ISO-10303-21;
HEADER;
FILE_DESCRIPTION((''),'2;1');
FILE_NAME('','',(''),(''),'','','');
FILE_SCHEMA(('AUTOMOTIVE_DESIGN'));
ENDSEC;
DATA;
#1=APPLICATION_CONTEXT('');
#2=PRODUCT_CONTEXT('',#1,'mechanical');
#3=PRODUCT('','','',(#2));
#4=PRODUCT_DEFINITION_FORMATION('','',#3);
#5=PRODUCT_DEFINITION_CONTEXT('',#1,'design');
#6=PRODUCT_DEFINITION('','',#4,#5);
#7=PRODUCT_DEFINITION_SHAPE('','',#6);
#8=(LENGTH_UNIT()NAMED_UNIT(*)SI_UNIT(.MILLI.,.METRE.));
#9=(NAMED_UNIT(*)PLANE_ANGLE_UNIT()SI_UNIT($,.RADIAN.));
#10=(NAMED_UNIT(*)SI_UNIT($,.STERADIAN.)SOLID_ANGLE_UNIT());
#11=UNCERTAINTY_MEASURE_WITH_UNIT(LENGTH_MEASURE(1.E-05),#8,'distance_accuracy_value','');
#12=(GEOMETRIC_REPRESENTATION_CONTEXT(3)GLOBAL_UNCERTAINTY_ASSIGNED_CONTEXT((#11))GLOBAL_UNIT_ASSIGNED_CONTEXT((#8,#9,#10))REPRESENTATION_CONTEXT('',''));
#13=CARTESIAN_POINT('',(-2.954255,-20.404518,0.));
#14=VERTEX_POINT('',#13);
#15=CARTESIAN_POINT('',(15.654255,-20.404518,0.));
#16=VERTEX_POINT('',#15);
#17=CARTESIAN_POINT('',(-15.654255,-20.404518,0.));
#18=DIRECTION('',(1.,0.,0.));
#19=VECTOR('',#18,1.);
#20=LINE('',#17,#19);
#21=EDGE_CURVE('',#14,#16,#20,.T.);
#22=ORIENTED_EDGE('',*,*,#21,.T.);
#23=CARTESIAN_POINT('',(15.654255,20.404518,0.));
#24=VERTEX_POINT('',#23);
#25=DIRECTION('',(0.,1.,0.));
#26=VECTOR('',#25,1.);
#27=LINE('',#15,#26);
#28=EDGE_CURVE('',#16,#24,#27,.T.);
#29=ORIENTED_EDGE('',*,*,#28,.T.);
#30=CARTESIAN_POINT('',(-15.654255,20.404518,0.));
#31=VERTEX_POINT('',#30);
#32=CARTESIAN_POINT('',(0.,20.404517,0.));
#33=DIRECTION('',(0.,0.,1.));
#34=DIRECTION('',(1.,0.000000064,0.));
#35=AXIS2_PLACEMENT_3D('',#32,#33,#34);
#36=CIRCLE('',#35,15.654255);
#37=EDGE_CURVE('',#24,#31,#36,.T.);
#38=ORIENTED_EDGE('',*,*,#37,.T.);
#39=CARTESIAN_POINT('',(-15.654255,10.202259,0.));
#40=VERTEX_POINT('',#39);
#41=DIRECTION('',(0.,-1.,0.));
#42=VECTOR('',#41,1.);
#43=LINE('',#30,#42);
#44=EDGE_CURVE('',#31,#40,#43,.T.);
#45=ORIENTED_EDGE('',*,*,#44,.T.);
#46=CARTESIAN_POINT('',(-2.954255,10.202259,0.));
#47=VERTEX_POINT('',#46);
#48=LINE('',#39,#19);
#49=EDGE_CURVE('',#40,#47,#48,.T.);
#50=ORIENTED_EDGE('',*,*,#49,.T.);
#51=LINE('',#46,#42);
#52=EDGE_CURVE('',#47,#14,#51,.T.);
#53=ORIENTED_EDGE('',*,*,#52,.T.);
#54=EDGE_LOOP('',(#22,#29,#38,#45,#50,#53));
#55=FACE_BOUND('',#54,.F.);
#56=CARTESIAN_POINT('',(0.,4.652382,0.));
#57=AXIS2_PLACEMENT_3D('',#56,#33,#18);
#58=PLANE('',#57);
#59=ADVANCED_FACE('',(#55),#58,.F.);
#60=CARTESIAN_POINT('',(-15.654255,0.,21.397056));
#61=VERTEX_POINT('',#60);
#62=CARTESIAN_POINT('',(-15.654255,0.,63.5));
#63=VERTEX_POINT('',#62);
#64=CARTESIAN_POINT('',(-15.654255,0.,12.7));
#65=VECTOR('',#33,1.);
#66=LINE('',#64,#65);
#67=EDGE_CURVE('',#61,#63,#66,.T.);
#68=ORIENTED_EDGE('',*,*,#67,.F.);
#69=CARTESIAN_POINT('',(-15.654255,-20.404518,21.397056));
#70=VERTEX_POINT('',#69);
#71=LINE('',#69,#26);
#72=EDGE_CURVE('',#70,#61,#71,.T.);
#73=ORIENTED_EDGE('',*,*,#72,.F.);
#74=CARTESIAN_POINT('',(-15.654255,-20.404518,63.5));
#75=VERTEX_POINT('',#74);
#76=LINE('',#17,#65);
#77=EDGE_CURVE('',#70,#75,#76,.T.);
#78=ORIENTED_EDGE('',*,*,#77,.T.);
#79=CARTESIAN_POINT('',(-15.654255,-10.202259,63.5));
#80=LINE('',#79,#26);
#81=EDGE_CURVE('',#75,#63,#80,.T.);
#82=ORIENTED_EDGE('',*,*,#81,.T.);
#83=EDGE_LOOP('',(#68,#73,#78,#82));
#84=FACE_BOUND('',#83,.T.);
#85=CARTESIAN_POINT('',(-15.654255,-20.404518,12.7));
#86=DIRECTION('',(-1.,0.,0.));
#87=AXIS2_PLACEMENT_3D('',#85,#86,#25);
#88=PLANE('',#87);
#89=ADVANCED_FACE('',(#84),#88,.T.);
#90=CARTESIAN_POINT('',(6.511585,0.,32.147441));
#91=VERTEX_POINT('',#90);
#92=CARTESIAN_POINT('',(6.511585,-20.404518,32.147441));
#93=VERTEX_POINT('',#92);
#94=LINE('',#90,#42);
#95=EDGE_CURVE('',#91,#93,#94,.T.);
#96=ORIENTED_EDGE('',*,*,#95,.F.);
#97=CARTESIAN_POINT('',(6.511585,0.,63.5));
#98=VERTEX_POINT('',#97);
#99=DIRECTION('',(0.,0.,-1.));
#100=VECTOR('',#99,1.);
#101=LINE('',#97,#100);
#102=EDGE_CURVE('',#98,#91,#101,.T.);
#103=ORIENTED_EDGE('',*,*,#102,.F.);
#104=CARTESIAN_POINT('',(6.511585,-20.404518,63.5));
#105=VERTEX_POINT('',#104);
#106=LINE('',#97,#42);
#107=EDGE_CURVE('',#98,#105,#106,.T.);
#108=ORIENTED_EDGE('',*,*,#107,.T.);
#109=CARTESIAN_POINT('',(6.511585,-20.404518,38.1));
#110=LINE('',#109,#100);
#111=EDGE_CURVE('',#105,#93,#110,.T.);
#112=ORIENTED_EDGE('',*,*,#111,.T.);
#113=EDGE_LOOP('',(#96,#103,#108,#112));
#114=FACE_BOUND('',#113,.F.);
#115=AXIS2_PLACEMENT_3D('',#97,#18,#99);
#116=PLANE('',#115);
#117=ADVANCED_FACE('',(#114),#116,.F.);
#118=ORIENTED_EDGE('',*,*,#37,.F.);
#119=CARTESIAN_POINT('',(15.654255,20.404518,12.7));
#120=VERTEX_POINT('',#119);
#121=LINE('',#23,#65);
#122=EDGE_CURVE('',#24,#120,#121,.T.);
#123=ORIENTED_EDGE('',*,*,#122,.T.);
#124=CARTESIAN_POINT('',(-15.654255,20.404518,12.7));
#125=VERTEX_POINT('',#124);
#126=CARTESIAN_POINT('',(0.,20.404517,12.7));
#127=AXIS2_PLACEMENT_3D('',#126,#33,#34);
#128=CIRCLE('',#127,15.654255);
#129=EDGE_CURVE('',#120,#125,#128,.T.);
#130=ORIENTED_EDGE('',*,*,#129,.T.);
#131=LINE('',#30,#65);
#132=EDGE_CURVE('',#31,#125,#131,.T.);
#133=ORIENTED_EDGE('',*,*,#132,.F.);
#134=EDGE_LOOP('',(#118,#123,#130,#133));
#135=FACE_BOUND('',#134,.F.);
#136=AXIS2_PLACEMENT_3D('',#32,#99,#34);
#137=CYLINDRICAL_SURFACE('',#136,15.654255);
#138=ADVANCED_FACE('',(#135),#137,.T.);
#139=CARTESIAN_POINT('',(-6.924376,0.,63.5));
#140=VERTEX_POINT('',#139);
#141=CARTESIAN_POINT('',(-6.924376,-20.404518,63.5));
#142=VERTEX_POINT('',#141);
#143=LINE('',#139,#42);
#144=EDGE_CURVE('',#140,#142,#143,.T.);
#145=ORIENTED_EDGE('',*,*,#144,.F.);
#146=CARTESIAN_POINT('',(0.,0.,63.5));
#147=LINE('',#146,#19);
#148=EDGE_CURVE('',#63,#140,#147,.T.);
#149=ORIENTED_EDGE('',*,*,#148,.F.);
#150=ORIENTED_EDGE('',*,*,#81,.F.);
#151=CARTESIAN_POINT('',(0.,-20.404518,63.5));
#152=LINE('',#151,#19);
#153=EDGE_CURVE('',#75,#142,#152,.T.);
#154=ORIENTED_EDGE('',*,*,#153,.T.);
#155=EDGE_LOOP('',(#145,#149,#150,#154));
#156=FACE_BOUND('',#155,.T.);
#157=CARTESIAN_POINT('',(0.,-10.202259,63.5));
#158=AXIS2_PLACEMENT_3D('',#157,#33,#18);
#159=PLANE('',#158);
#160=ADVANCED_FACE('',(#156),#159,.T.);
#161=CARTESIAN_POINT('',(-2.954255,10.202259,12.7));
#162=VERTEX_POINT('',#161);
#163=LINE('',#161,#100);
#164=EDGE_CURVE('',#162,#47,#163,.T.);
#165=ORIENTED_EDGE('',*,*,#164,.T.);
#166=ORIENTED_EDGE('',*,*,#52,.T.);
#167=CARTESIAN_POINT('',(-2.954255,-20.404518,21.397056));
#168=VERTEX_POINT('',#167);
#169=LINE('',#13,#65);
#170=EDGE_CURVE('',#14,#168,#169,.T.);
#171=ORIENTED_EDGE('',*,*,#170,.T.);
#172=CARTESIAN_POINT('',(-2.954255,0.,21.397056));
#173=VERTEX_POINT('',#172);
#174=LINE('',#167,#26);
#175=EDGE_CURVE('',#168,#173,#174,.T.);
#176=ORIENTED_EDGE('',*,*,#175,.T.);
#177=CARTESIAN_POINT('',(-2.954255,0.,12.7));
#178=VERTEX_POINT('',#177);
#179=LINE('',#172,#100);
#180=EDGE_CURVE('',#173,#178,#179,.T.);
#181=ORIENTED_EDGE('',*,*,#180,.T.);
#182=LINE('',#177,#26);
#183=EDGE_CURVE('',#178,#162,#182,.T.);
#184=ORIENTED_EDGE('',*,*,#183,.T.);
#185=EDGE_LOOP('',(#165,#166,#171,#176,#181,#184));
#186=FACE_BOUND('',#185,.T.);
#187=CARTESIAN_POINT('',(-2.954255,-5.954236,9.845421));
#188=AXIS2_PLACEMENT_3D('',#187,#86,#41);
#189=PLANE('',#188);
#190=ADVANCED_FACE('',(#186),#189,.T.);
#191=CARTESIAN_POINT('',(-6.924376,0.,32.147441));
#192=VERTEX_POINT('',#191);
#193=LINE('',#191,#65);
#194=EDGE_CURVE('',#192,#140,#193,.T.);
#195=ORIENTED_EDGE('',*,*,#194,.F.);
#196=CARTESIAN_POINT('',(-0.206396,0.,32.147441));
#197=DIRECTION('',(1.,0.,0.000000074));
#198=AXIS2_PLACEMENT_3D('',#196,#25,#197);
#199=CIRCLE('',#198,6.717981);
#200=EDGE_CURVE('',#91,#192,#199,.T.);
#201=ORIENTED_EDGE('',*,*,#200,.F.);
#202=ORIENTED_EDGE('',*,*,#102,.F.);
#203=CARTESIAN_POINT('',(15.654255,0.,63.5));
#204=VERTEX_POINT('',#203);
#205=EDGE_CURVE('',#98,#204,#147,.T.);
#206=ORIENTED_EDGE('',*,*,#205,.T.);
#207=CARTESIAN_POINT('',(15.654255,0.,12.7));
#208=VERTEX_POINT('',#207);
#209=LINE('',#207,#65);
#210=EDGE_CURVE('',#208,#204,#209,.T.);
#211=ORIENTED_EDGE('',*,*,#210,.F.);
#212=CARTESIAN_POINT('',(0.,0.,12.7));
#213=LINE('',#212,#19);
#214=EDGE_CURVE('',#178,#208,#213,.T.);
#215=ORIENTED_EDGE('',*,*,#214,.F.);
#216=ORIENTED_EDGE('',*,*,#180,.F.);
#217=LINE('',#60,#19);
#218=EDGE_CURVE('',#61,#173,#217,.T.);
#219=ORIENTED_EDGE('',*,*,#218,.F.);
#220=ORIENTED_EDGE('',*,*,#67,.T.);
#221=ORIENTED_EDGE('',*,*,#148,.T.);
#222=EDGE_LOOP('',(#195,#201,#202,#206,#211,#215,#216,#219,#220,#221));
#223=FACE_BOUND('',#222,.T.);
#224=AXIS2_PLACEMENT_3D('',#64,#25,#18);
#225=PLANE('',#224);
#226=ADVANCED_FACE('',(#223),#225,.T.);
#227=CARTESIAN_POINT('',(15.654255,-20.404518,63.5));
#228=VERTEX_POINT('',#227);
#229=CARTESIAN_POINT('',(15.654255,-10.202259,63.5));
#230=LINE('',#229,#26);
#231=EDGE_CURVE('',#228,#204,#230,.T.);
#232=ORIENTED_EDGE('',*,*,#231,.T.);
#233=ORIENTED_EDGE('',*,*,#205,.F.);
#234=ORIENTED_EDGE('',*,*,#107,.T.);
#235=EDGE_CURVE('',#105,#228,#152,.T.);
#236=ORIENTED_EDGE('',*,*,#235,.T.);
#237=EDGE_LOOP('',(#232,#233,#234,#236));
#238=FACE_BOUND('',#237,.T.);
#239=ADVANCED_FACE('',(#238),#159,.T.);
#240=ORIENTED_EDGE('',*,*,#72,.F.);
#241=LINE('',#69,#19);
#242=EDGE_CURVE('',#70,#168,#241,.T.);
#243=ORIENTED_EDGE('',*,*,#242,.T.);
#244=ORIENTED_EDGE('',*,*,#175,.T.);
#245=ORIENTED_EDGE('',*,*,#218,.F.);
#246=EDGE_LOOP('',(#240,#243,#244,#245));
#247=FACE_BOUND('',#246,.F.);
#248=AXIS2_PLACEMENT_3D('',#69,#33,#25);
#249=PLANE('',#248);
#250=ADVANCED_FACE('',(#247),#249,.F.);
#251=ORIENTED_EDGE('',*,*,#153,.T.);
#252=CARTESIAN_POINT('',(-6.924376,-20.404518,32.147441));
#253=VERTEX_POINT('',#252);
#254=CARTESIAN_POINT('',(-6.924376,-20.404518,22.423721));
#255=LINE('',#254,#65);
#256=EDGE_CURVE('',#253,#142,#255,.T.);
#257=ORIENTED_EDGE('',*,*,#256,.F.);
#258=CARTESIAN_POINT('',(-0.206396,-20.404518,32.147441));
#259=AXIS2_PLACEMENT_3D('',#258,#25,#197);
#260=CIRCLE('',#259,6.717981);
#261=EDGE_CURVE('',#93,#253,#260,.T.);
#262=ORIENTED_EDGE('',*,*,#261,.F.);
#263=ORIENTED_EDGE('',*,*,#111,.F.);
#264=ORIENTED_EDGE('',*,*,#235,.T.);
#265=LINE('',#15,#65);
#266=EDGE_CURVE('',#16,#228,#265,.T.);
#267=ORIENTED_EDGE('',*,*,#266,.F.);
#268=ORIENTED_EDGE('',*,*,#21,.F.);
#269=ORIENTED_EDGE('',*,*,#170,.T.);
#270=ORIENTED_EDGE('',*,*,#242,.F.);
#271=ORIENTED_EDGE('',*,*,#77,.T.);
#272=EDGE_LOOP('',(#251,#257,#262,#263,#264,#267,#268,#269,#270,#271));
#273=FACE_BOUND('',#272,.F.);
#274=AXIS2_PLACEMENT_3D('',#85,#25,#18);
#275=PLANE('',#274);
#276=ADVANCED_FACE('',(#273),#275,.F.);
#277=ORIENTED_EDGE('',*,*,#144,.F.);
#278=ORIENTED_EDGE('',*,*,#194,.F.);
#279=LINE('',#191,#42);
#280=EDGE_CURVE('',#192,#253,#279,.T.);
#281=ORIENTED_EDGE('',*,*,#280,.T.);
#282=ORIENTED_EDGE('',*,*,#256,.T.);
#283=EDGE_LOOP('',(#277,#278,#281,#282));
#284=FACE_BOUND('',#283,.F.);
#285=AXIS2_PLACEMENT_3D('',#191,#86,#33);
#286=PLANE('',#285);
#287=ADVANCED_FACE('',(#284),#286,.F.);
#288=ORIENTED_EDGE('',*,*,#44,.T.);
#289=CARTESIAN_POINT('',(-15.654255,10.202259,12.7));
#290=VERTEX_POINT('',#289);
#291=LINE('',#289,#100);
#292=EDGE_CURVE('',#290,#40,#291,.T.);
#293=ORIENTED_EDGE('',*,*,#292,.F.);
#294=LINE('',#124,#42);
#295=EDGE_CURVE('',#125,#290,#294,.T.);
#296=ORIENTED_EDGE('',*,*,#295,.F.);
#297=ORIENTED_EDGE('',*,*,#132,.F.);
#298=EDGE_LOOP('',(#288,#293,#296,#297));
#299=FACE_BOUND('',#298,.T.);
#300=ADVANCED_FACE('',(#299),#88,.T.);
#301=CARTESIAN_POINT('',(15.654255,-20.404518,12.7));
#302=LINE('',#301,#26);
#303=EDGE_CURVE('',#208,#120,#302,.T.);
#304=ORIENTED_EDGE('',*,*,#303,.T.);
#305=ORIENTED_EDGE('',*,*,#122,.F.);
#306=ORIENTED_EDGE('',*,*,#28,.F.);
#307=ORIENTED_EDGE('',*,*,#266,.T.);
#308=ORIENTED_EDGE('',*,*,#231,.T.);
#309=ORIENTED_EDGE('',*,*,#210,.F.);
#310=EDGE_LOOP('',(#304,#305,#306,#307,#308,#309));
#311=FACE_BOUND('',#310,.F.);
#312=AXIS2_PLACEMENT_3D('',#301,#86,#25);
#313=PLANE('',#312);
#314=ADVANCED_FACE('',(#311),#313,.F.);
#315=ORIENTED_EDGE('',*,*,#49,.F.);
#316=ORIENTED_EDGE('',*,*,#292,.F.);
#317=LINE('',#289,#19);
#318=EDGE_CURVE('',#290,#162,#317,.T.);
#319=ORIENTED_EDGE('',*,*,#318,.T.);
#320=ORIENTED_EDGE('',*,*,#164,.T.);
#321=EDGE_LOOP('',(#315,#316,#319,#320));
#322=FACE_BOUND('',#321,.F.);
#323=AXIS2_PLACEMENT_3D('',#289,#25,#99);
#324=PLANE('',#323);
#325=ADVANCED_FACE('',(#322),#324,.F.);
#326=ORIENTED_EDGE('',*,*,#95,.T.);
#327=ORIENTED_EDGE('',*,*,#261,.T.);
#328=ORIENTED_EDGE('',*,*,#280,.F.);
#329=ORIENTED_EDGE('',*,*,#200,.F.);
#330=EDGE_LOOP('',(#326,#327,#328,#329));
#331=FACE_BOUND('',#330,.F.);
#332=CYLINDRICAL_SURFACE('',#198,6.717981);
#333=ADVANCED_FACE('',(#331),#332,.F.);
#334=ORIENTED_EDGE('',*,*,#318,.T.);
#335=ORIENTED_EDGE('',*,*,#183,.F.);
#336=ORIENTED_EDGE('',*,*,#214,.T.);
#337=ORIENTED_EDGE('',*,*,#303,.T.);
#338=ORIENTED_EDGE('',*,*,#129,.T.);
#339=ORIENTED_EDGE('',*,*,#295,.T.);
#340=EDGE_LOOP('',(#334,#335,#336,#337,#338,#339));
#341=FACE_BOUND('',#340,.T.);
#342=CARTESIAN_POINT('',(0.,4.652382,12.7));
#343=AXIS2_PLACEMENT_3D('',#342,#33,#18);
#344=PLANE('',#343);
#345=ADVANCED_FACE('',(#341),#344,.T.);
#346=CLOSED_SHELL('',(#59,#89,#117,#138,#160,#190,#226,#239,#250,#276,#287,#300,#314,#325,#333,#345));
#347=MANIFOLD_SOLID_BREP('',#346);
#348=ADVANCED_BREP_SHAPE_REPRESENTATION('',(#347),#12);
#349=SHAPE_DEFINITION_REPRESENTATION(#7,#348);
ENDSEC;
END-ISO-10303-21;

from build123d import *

# Parameters (mm, degrees)
F1_DEPTH = 12.7
F2_W     = 31.30851
F2_H     = 20.404518
F3_DEPTH = 50.8
F5_DEPTH = 25.4
F7_DEPTH = 12.7


with BuildPart() as f1:
    # F0 (on Top) → F1 (new body)
    with BuildSketch(Plane.XY):
        with BuildLine():
            Line((-15.654255, -20.404518), (15.654255, -20.404518))
            Line((15.654255, -20.404518), (15.654255, 20.404518))
            ThreePointArc((15.654255, 20.404518), (0, 36.058772), (-15.654255, 20.404518))
            Line((-15.654255, 20.404518), (-15.654255, -20.404518))
        make_face()
    extrude(amount=F1_DEPTH)

    # F2 (on face) → F3 (join)
    with BuildSketch(Plane.XY.offset(12.7)):
        with Locations((0, -10.202259)):
            Rectangle(F2_W, F2_H)
    extrude(amount=F3_DEPTH)

    # F4 (on face) → F5 (cut)
    with BuildSketch(Plane(origin=(0, 0, 0), x_dir=(-1, 0, 0), z_dir=(0, 1, 0))):
        with BuildLine():
            Line((6.924376, 63.5), (-6.511585, 63.5))
            Line((-6.511585, 63.5), (-6.511585, 32.147441))
            ThreePointArc((-6.511585, 32.147441), (0.206395, 25.42946), (6.924376, 32.147441))
            Line((6.924376, 32.147441), (6.924376, 63.5))
        make_face()
    extrude(amount=-F5_DEPTH, mode=Mode.SUBTRACT)

    # F6 (on face) → F7 (cut)
    with BuildSketch(Plane(origin=(-15.654255, 0, 0), x_dir=(0, -1, 0), z_dir=(-1, 0, 0))):
        Polygon((0, 12.7), (-10.202259, 12.7), (-10.202259, 0), (20.404518, 0), (20.404518, 12.7), (20.404518, 21.397056), (0, 21.397056), align=None)
    extrude(amount=-F7_DEPTH, mode=Mode.SUBTRACT)


solid = f1.part
